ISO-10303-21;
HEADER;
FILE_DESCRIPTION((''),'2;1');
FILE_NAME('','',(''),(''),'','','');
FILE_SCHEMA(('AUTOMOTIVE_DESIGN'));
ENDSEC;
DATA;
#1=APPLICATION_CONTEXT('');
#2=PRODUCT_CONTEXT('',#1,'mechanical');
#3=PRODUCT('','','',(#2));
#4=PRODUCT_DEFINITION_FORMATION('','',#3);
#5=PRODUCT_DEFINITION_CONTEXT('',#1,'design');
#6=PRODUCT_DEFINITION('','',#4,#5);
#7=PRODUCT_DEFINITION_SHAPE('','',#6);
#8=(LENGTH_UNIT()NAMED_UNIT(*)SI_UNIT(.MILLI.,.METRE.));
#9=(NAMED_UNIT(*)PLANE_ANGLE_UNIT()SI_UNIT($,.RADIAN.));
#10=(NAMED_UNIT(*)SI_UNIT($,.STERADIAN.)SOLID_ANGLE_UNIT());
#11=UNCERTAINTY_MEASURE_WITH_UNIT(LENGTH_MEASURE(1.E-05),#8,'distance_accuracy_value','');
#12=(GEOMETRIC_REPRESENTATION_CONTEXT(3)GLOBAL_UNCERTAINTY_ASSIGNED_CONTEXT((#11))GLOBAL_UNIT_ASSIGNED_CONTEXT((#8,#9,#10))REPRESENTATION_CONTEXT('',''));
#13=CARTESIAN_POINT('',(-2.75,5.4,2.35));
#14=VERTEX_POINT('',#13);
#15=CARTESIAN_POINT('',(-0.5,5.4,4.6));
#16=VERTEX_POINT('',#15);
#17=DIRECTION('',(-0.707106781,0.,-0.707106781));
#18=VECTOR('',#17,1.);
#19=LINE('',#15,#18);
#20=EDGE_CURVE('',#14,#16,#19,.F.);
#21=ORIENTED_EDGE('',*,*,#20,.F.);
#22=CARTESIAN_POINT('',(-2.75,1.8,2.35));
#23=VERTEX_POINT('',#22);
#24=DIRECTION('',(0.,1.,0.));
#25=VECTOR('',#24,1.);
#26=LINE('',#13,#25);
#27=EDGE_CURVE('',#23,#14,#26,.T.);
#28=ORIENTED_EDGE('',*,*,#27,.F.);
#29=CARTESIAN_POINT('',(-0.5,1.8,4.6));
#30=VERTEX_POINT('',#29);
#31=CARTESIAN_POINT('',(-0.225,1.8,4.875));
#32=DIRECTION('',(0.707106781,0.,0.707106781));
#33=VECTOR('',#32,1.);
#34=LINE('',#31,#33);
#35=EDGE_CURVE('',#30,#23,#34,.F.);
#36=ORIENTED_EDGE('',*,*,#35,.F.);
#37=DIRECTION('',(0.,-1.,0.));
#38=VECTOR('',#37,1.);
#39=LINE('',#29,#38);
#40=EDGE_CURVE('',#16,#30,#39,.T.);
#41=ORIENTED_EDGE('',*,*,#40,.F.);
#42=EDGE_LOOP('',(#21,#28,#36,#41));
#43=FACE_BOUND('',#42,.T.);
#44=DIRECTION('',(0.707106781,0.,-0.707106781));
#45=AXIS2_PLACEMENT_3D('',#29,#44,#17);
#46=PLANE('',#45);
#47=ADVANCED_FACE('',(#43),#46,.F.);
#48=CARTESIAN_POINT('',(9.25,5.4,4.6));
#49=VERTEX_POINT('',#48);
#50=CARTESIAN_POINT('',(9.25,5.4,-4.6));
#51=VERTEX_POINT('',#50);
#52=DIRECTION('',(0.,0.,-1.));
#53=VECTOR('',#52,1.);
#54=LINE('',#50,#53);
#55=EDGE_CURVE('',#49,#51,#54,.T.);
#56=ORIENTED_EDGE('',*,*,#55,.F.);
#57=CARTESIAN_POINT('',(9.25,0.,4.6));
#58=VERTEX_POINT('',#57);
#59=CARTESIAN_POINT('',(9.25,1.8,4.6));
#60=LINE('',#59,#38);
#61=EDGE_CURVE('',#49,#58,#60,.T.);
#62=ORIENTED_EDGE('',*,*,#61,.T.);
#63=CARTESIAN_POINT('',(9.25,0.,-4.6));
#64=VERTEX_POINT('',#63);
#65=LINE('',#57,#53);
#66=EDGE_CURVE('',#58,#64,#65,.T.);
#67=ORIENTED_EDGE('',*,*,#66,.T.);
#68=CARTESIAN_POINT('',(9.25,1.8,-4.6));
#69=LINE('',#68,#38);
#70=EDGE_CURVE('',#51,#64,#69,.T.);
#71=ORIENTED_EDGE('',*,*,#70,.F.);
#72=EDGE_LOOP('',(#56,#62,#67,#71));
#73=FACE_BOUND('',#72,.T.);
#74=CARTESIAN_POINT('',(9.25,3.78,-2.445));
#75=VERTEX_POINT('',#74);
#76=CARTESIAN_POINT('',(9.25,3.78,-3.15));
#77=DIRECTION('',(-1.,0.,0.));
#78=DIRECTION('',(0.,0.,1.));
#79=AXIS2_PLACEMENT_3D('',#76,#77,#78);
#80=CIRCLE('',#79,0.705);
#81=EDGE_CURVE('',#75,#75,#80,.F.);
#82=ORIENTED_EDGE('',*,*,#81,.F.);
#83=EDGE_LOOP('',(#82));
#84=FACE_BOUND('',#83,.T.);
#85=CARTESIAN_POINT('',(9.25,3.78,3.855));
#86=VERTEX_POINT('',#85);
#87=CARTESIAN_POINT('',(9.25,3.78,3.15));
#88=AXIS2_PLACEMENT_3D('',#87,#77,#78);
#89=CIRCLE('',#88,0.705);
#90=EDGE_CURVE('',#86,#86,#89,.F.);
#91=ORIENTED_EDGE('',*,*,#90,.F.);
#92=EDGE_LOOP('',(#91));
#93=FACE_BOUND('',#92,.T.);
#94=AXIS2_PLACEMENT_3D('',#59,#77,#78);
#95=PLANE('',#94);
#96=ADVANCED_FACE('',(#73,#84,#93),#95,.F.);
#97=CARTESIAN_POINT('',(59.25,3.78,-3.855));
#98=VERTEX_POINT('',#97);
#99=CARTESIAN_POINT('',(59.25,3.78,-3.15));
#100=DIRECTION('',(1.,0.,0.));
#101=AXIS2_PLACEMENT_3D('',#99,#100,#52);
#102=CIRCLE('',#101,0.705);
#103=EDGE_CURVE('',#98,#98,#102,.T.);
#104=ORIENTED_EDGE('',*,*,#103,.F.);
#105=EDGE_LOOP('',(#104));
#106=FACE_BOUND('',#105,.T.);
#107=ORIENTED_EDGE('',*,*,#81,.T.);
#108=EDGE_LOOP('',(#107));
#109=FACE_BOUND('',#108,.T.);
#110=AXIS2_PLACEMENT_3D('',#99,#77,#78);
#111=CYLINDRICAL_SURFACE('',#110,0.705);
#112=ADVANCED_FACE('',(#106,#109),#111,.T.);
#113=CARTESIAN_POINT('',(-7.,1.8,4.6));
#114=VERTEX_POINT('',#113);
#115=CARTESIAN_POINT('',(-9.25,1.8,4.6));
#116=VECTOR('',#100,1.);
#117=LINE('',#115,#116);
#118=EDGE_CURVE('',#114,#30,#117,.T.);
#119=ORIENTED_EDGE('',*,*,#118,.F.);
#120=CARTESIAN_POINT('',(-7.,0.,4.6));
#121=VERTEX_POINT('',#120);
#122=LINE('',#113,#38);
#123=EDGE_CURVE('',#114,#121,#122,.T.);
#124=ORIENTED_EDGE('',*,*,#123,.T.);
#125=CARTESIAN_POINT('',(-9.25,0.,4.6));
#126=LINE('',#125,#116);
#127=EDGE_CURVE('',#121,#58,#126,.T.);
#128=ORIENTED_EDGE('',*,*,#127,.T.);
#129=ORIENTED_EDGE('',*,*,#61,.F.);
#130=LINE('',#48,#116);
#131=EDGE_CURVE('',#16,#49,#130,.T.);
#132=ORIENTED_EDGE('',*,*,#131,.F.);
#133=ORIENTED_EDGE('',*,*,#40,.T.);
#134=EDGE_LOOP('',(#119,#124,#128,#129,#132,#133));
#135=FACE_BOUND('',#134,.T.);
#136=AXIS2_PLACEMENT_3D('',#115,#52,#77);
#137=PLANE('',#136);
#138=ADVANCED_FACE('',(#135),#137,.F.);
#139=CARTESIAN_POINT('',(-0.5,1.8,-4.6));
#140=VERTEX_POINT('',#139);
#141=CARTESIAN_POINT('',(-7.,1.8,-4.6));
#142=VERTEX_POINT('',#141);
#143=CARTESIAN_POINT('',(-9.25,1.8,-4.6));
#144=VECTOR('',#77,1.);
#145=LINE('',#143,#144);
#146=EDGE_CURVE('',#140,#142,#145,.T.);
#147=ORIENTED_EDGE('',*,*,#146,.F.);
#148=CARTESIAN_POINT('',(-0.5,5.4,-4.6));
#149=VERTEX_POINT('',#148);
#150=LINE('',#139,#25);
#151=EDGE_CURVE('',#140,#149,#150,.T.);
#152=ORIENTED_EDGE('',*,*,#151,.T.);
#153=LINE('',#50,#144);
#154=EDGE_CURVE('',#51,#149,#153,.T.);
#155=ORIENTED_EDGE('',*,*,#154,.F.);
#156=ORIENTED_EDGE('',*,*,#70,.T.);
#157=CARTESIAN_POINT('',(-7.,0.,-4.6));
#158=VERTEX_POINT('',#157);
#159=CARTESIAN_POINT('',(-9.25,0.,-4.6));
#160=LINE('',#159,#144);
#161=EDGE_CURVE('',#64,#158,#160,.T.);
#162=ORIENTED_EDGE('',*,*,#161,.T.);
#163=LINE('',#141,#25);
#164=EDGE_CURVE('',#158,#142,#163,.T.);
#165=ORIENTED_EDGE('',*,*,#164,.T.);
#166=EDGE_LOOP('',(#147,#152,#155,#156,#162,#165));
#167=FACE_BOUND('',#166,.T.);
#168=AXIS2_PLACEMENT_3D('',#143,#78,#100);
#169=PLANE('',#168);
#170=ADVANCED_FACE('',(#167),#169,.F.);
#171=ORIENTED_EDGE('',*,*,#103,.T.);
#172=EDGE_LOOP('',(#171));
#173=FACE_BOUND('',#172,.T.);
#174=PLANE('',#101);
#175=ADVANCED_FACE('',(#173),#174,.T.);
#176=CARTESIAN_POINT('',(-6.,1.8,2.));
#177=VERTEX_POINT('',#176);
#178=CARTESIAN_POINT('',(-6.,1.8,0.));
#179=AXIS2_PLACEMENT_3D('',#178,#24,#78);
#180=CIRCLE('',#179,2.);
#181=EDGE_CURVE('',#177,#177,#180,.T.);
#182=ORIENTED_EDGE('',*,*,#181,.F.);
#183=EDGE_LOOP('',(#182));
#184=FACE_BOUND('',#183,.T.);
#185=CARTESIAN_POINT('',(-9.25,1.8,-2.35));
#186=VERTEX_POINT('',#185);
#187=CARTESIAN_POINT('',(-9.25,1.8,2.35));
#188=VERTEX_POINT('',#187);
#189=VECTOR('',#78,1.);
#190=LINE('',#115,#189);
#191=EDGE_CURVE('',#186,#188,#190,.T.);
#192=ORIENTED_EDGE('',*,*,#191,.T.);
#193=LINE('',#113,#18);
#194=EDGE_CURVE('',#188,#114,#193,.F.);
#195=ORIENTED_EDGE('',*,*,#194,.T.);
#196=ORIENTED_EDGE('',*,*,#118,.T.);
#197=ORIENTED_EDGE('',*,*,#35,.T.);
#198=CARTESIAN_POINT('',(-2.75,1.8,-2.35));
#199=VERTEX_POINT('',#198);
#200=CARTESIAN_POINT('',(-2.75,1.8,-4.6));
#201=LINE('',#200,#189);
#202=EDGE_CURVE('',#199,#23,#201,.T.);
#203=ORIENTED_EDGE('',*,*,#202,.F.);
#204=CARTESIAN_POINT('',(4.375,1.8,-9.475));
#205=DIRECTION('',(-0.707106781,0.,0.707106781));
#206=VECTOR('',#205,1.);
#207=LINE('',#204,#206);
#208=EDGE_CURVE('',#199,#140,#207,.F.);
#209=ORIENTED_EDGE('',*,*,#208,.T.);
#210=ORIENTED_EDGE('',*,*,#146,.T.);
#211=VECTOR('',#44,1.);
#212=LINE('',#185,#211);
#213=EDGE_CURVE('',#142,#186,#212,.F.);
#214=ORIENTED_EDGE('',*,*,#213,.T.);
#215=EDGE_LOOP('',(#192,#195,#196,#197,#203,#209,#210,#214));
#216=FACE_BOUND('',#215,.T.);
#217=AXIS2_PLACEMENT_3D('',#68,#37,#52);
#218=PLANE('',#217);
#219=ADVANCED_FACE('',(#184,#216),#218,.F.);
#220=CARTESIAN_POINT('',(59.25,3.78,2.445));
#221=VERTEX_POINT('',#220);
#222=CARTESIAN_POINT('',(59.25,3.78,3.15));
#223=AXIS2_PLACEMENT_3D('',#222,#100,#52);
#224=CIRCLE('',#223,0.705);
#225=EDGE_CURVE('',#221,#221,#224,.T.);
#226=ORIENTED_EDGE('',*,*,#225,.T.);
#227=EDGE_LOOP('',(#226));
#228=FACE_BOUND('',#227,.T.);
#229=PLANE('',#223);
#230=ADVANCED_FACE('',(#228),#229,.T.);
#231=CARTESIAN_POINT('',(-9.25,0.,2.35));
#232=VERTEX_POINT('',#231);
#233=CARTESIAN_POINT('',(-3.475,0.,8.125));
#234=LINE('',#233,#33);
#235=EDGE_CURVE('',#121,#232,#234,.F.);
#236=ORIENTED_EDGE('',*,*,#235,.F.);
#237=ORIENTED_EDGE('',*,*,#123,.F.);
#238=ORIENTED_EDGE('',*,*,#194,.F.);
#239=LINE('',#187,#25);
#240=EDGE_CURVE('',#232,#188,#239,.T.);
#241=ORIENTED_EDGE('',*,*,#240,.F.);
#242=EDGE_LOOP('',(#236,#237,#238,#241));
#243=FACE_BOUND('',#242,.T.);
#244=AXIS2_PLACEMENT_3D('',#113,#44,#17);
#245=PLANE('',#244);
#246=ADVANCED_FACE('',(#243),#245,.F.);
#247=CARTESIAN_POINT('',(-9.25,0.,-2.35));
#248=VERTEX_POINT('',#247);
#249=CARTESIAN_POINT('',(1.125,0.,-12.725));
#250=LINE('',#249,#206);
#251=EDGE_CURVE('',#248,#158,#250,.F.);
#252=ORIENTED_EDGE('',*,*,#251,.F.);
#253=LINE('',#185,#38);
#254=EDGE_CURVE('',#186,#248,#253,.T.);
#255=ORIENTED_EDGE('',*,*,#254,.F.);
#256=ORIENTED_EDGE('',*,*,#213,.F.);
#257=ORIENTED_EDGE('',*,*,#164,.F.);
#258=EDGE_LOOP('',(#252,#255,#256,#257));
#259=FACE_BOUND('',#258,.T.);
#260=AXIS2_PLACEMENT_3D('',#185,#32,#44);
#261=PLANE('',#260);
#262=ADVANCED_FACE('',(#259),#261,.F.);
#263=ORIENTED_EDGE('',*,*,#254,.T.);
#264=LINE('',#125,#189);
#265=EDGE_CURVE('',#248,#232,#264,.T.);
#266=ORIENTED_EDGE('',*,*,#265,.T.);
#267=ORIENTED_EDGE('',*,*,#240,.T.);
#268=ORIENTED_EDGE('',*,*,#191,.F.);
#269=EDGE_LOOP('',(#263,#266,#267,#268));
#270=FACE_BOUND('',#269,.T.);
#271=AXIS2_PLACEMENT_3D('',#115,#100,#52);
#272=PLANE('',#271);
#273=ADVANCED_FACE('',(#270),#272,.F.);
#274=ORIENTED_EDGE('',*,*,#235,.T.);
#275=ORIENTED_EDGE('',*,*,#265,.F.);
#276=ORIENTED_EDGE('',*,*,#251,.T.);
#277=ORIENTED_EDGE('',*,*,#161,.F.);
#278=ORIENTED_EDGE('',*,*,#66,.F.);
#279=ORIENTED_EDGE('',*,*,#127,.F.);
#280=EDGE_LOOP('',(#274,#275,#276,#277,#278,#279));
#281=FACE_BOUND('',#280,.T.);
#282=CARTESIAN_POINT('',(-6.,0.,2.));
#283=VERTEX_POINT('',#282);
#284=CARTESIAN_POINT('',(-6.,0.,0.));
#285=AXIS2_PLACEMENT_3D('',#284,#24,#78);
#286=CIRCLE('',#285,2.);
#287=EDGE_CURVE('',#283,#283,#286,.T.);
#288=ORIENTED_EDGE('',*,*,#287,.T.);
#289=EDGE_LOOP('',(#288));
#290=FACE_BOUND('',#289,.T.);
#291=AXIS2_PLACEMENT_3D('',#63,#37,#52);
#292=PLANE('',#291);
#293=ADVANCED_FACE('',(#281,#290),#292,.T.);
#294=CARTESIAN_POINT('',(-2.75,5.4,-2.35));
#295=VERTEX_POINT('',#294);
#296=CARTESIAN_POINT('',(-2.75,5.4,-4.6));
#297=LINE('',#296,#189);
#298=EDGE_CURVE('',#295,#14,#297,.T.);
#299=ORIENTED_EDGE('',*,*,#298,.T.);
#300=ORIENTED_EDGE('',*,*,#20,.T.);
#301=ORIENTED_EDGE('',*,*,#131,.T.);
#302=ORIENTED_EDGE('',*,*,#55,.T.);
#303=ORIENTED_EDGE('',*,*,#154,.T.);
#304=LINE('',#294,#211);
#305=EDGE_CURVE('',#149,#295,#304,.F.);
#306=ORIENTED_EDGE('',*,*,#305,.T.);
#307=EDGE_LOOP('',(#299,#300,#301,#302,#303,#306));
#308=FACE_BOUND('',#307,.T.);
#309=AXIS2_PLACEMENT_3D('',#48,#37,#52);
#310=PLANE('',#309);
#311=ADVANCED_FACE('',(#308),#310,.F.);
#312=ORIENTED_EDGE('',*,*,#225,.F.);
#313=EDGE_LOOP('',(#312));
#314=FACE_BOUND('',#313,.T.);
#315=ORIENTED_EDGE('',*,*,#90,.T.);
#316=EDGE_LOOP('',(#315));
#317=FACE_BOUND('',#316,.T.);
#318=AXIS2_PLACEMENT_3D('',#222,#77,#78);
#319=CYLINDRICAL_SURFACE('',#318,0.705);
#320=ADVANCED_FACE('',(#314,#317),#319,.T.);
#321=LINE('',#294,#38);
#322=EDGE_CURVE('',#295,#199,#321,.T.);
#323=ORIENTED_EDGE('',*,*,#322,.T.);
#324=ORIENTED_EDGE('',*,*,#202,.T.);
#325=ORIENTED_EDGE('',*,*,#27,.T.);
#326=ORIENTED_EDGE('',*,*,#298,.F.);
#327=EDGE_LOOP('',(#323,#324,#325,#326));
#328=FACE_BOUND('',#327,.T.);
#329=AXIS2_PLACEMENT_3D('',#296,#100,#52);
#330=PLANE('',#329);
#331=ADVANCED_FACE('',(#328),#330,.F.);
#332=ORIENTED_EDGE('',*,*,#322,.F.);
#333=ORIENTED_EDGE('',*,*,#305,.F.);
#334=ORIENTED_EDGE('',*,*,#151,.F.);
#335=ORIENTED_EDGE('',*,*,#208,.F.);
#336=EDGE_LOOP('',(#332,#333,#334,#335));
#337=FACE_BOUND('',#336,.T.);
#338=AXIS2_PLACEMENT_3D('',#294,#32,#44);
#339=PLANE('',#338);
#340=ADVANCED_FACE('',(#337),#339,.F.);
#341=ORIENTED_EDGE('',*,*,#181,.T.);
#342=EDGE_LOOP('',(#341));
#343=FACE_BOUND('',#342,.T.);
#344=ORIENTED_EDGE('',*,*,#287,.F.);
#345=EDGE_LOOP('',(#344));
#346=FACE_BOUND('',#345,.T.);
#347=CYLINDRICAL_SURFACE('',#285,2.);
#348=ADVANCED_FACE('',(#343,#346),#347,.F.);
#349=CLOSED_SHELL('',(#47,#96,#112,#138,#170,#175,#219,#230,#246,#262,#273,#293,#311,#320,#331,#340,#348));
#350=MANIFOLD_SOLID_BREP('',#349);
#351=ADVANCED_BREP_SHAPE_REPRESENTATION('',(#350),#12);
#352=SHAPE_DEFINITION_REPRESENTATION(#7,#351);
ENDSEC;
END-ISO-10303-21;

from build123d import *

# Parameters (mm, degrees)
SKETCH1_W           = 18.5
SKETCH1_H           = 9.2
BOSS_EXTRUDE1_DEPTH = 1.8
SKETCH3_W           = 12
SKETCH3_H           = 9.2
BOSS_EXTRUDE3_DEPTH = 3.6
SKETCH2_R           = 0.705
BOSS_EXTRUDE2_DEPTH = 50
SKETCH4_R           = 2
CUT_EXTRUDE1_DEPTH  = 2.8
CHAMFER1_SIZE       = 2.25


with BuildPart() as part:
    # Sketch1 → Boss-Extrude1 (new body)
    with BuildSketch(Plane(origin=(0, 0, 0), x_dir=(1, 0, 0), z_dir=(0, 1, 0))):
        Rectangle(SKETCH1_W, SKETCH1_H)
    extrude(amount=BOSS_EXTRUDE1_DEPTH)

    # Sketch3 → Boss-Extrude3 (add)
    with BuildSketch(Plane(origin=(0, 1.8, 0), x_dir=(1, 0, 0), z_dir=(0, 1, 0))):
        with Locations((3.25, 0)):
            Rectangle(SKETCH3_W, SKETCH3_H)
    extrude(amount=BOSS_EXTRUDE3_DEPTH)

    # Sketch2 → Boss-Extrude2 (add)
    with BuildSketch(Plane(origin=(9.25, 0, 0), x_dir=(0, 0, -1), z_dir=(1, 0, 0))):
        with Locations((-3.15, 3.78)):
            Circle(SKETCH2_R)
        with Locations((3.15, 3.78)):
            Circle(SKETCH2_R)
    extrude(amount=BOSS_EXTRUDE2_DEPTH)

    # Sketch4 → Cut-Extrude1 (cut, through all)
    with BuildSketch(Plane(origin=(0, 1.8, 0), x_dir=(1, 0, 0), z_dir=(0, 1, 0))):
        with Locations((-6, 0)):
            Circle(SKETCH4_R)
    extrude(amount=-CUT_EXTRUDE1_DEPTH, mode=Mode.SUBTRACT)

    # Chamfer1
    chamfer1_edges = [part.edges().sort_by_distance(p)[0] for p in [
        (-9.25, 0.9, -4.6),
        (-9.25, 0.9, 4.6),
        (-2.75, 3.6, -4.6),
        (-2.75, 3.6, 4.6),
    ]]
    chamfer(chamfer1_edges, length=CHAMFER1_SIZE)


solid = part.part
